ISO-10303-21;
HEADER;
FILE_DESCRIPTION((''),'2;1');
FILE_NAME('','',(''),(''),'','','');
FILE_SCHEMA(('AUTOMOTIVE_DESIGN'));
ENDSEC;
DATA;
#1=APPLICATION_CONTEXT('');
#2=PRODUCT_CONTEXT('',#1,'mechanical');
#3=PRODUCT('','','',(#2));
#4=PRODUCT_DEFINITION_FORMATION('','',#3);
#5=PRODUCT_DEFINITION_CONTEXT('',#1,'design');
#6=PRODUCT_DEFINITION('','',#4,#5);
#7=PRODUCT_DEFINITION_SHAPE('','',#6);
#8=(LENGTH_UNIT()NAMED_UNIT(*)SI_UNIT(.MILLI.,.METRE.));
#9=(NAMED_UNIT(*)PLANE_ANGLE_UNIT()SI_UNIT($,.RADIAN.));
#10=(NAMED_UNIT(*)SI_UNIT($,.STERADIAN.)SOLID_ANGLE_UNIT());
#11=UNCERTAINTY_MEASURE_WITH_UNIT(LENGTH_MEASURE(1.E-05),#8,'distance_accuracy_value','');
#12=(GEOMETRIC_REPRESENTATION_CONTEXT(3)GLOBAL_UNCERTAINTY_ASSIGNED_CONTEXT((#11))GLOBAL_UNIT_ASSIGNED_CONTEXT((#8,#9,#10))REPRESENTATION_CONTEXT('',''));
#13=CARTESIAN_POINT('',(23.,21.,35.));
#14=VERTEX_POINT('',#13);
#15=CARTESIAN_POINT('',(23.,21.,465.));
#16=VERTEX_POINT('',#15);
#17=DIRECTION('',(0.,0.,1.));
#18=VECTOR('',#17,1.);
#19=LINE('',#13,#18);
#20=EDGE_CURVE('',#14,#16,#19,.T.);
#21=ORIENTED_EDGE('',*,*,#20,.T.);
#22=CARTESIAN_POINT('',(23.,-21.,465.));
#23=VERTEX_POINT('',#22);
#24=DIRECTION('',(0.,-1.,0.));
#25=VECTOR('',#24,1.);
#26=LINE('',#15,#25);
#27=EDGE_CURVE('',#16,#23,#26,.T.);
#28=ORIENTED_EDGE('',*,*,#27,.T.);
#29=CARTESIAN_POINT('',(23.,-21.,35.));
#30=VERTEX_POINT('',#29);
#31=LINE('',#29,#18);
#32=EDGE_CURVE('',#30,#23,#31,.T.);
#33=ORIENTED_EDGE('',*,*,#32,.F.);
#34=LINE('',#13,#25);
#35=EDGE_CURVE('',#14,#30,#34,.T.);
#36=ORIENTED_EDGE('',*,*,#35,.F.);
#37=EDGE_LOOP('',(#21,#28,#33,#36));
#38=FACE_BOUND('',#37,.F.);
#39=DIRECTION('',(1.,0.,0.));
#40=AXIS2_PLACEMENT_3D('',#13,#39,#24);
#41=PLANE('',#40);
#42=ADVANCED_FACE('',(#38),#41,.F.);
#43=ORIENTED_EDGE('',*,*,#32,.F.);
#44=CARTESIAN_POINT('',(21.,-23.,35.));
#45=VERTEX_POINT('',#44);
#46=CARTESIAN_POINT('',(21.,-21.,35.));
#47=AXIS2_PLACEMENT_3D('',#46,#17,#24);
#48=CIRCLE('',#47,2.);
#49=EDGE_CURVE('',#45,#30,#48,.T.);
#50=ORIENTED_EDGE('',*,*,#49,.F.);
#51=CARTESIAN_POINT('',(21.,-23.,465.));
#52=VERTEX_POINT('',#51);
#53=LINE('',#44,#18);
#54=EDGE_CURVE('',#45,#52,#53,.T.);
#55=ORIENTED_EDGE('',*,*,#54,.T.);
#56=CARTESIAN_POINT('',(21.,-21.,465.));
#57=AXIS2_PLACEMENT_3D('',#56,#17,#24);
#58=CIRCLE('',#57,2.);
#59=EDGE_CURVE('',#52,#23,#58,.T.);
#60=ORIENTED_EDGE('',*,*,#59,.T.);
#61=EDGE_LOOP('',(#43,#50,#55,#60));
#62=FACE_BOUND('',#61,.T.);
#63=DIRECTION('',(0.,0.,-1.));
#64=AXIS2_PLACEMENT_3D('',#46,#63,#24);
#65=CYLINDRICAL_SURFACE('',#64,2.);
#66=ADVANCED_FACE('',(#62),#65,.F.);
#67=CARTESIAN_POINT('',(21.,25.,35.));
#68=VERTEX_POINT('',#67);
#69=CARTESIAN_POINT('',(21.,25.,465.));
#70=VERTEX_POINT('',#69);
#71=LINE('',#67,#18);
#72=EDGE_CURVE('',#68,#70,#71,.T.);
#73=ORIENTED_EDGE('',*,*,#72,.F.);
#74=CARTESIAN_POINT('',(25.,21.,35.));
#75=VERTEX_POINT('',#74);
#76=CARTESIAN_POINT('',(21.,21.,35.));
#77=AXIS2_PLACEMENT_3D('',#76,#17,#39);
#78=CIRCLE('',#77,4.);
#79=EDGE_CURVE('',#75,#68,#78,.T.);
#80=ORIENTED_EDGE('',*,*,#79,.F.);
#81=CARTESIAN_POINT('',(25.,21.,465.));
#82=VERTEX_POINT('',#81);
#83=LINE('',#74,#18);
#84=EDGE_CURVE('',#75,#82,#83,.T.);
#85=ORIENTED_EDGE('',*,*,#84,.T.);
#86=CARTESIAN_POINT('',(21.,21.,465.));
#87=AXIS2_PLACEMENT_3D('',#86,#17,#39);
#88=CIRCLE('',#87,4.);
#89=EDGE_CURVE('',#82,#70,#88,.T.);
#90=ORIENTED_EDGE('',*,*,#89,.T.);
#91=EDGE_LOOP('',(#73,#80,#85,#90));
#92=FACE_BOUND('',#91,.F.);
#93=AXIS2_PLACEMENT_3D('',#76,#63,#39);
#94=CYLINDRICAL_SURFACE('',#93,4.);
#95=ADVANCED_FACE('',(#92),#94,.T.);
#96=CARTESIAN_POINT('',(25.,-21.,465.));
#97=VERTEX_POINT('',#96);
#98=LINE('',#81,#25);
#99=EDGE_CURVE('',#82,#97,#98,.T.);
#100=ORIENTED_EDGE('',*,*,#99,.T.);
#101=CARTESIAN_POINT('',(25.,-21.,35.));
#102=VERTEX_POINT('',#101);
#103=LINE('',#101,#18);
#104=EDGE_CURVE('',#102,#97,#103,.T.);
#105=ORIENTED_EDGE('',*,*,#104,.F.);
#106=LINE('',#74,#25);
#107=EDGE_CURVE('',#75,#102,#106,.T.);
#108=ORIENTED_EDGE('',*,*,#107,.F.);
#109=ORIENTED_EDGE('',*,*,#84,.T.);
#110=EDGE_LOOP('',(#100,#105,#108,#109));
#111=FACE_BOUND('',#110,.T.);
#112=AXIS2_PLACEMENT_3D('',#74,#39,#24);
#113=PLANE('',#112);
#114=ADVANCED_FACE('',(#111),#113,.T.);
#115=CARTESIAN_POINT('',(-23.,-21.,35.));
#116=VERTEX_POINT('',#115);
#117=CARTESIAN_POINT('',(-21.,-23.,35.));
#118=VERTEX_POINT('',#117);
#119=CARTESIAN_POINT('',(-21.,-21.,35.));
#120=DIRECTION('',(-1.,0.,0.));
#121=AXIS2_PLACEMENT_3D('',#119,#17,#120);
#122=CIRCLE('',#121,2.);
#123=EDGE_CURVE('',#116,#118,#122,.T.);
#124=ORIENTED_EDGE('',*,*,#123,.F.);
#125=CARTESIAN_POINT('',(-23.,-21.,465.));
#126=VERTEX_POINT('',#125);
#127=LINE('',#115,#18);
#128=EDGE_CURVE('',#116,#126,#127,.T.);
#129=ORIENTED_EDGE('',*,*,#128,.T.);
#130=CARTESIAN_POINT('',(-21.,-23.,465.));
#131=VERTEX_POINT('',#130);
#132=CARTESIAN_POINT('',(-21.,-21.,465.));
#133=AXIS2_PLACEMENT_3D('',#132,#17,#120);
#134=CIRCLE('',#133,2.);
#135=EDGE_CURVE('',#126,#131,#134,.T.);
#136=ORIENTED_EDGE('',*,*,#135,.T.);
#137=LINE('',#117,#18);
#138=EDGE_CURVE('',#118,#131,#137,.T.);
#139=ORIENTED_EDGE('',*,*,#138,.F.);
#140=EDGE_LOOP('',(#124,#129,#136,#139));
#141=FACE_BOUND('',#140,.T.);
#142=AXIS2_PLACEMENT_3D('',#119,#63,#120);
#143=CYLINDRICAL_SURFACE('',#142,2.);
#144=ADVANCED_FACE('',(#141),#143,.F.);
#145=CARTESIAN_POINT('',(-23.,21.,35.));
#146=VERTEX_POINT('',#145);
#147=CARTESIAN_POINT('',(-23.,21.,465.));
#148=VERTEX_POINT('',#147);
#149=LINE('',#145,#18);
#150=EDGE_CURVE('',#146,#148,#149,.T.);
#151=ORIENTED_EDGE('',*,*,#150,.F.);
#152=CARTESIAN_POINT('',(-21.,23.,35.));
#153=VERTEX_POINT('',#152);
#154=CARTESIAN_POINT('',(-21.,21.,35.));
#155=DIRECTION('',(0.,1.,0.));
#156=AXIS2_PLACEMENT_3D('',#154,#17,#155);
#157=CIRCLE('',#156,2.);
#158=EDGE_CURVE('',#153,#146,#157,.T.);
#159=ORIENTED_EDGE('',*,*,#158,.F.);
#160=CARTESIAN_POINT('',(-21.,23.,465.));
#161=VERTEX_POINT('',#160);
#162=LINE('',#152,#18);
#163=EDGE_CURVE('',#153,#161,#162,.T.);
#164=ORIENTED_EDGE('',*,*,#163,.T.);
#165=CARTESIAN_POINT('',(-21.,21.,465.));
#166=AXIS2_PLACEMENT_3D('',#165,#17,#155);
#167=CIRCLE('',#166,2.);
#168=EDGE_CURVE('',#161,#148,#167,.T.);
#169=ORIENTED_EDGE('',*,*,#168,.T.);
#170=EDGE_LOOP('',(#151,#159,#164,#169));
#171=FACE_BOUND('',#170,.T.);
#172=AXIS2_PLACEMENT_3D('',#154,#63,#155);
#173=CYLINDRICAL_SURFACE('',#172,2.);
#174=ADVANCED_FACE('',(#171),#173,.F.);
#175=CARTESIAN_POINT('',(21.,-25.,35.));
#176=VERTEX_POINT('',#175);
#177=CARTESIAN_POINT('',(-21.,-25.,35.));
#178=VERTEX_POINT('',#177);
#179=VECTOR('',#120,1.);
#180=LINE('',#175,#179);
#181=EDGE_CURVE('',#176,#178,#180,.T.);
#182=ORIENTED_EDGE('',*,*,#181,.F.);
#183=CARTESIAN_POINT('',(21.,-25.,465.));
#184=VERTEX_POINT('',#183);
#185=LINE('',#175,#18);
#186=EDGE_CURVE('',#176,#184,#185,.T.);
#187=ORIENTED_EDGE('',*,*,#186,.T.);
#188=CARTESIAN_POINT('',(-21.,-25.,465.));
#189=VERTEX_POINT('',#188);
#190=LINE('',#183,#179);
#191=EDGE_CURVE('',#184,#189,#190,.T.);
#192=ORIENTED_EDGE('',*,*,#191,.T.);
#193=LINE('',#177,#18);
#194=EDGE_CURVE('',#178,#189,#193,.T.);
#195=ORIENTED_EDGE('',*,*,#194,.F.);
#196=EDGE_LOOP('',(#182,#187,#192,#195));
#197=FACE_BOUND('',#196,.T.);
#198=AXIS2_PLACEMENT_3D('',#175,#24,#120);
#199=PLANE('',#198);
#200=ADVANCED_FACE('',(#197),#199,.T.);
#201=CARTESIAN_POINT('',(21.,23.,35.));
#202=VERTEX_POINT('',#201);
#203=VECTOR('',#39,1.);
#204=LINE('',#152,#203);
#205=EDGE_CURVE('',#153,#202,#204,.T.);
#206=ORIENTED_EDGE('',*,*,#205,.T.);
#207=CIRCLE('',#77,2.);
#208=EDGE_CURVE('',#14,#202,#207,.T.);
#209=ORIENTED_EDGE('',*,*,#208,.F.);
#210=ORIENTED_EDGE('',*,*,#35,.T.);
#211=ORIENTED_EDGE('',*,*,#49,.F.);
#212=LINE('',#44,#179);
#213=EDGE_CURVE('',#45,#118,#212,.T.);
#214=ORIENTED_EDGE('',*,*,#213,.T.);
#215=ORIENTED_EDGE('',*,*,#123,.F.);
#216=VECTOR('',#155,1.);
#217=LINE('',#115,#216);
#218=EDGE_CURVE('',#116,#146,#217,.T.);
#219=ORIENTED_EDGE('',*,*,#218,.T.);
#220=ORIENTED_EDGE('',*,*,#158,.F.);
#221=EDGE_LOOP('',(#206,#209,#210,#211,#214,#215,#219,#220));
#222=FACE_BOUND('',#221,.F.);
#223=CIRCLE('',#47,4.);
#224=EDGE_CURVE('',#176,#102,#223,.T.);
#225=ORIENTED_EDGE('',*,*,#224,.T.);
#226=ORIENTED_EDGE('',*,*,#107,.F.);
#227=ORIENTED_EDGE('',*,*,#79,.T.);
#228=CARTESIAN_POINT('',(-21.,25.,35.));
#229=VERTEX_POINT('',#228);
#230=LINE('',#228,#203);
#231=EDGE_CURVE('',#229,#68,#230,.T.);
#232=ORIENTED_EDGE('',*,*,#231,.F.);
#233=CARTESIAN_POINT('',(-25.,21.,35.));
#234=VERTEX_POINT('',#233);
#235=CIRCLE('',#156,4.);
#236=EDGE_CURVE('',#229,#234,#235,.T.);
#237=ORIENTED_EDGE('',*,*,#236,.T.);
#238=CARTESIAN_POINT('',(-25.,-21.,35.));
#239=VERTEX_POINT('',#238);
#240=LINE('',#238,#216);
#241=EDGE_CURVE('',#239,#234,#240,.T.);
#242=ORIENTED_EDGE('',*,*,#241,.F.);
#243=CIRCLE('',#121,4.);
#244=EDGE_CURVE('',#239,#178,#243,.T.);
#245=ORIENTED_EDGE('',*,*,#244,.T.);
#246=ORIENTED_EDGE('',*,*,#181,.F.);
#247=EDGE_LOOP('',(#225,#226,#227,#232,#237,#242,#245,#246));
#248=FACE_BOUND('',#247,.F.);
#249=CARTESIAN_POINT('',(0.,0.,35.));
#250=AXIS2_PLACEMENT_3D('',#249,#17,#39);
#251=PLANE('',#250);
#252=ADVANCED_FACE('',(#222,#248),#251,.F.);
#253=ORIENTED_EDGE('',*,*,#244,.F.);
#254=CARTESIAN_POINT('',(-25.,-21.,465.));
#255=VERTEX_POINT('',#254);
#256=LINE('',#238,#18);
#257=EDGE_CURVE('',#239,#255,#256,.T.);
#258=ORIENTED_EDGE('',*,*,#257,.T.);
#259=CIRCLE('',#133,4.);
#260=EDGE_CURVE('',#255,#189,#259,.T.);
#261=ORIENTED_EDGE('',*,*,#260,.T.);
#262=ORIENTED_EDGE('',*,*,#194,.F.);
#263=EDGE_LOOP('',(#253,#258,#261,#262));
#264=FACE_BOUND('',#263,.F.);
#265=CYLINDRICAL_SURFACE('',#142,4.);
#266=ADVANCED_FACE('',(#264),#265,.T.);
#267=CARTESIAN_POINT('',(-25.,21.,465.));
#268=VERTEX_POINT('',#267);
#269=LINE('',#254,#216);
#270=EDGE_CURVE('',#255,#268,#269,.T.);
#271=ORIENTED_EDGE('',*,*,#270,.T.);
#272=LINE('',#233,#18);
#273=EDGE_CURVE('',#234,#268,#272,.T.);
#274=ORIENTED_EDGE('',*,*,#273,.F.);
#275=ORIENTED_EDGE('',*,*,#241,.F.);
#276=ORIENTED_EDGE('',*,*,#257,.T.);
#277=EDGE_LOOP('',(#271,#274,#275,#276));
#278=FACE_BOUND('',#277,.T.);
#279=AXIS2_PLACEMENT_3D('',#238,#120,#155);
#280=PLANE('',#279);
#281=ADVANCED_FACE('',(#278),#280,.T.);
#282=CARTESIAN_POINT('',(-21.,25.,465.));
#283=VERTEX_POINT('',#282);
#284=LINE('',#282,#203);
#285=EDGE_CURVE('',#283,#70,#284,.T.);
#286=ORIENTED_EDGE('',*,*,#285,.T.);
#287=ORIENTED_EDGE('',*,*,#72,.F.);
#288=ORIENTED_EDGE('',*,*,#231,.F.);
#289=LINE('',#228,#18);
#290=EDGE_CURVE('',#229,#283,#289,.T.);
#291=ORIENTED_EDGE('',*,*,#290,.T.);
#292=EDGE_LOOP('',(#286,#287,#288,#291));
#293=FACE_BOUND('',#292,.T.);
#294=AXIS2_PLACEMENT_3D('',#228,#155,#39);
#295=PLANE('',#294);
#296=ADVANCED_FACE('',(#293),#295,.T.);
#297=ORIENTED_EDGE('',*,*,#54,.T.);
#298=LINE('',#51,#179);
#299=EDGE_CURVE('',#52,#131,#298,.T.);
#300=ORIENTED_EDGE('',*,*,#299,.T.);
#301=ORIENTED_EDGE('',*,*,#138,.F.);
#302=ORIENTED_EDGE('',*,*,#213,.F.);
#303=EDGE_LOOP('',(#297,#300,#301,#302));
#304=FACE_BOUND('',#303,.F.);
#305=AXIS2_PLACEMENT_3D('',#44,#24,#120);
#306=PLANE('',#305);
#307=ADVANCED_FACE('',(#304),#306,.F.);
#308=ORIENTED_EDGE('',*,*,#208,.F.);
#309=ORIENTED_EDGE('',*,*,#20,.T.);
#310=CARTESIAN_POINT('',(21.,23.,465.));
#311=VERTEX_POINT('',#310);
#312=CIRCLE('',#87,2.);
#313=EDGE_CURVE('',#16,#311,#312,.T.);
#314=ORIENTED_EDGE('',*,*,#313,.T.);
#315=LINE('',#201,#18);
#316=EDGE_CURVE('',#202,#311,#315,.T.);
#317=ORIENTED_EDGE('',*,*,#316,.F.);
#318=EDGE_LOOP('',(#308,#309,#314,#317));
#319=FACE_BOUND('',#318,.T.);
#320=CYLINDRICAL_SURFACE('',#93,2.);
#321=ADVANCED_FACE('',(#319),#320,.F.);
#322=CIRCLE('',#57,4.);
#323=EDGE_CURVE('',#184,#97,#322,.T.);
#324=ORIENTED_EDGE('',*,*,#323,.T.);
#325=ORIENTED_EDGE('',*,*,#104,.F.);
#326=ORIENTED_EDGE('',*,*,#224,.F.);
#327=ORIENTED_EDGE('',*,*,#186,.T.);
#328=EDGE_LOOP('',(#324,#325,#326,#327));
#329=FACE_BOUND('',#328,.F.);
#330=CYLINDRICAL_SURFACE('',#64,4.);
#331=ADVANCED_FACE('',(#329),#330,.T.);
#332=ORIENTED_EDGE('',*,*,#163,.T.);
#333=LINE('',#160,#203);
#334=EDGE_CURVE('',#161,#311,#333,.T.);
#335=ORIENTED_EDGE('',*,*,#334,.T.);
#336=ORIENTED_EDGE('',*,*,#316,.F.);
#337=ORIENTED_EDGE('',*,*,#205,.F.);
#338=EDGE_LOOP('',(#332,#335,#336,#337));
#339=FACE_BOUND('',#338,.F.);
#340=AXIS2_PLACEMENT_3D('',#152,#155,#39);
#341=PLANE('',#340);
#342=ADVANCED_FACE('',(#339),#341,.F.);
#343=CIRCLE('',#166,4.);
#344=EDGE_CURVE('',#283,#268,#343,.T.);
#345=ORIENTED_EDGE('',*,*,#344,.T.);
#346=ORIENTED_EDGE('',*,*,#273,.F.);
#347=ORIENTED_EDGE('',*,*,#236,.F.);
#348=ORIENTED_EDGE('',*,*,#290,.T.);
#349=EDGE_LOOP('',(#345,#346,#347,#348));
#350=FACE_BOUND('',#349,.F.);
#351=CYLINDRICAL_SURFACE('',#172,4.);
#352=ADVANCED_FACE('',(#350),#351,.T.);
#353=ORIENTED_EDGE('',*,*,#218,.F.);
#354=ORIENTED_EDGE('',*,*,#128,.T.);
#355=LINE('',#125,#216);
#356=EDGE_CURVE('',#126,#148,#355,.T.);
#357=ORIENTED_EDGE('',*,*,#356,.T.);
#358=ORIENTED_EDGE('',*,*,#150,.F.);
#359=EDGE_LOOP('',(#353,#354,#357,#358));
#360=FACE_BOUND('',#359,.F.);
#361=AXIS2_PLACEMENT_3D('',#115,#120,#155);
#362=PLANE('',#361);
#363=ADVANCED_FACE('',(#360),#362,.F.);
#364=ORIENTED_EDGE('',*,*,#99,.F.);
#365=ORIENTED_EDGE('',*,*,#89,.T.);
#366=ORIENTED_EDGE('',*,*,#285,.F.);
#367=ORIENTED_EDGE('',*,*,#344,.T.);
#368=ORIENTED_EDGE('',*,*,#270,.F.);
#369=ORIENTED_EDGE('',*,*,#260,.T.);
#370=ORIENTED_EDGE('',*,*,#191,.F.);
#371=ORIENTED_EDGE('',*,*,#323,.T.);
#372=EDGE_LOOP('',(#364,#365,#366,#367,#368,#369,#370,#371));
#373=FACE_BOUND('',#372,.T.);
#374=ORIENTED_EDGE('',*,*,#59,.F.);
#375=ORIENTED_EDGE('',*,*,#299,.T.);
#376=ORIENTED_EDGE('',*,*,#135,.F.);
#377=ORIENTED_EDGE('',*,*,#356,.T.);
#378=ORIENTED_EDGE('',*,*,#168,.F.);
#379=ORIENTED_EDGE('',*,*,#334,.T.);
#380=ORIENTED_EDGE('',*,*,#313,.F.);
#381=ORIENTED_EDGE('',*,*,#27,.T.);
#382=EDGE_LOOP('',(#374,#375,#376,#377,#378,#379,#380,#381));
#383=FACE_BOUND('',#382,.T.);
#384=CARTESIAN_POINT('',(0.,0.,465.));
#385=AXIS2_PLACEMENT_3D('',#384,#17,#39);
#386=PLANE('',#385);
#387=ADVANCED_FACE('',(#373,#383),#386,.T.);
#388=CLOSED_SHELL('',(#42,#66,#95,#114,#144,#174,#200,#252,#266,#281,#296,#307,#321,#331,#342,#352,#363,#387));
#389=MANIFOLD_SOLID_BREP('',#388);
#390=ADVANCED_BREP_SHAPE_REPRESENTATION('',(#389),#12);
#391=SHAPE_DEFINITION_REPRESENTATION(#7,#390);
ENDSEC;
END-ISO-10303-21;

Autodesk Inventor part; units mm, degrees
ref_plane "Plano inicial" through (0, 0, 35) normal (0, 0, 1) x (1, 0, 0)
ref_plane "Plano final" through (0, 0, 465) normal (0, 0, 1) x (1, 0, 0)
sketch "Boceto" plane through (0, 0, 0) normal (0, 0, 1) x (1, 0, 0)
  line L0 (-25, -21) -> (-25, 21)
  line L1 (-21, 25) -> (21, 25)
  line L2 (25, 21) -> (25, -21)
  line L3 (21, -25) -> (-21, -25)
  arc A0 (-25, -21) -> (-21, -25) centre (-21, -21) ccw
  arc A1 (25, 21) -> (21, 25) centre (21, 21) ccw
  arc A2 (-21, 25) -> (-25, 21) centre (-21, 21) ccw
  arc A3 (21, -25) -> (25, -21) centre (21, -21) ccw
  arc A4 (-21, 23) -> (-23, 21) centre (-21, 21) ccw
  line L4 (-21, 23) -> (21, 23)
  arc A5 (23, 21) -> (21, 23) centre (21, 21) ccw
  line L5 (23, 21) -> (23, -21)
  arc A6 (21, -23) -> (23, -21) centre (21, -21) ccw
  line L6 (21, -23) -> (-21, -23)
  arc A7 (-23, -21) -> (-21, -23) centre (-21, -21) ccw
  line L7 (-23, -21) -> (-23, 21)
  line L8 (0, 36.1598) -> (0, -36.1598) construction
  line L9 (-36.1598, 0) -> (36.1598, 0) construction
  dimension "d7" = 4
  dimension "d9" = 50
  dimension "d11" = 50
  dimension "d12" = 2
  dimension "d15" = 25
  dimension "d16" = 25
extrude "Cuerpo" add sketch "Boceto" along normal up to surface (430 mm away) from surface at 35
sketch "Sketch3" plane through (0, 0, 0) normal (0, 0, 1) x (1, 0, 0)
  line L0 (0, 0) -> (10, 0)
ref_plane "Work Plane3" through (0, 0, 0) normal (0, -1, 0) x (1, 0, 0)
sketch "Sketch4" plane through (0, 0, 0) normal (0, -1, 0) x (1, 0, 0)
  line L0 (-2, 35) -> (12, 35)
  line L1 (-2, 465) -> (12, 465)
  dimension "d18" = 430
ref_plane "Plano de trabajo4" through (1275, 29, 35) normal (0, 0, -1) x (-1, 0, 0)
split "Dividir1" plane through (1275, 29, 35) removes the side toward (0, 0, -1)
ref_plane "Plano de trabajo5" through (1275, -29, 465) normal (0, 0, 1) x (1, 0, 0)
split "Dividir2" plane through (1275, -29, 465) removes the side toward (0, 0, 1)
equation "\"d7\" = G_IR"
equation "\"d9\" = G_W"
equation "\"d11\" = G_H"
equation "\"d12\" = G_T"
equation "\"d15\" = 0.5 * d9"
equation "\"d16\" = 0.5 * d11"
equation "\"d3\" = G_L"
equation "\"G_W\" = 50"
equation "\"G_H\" = 50"
equation "\"G_T\" = 2"
equation "\"G_IR\" = 4"
equation "\"G_L\" = d18"
equation "\"G_OFFSET_START\" = -35"
equation "\"G_OFFSET_END\" = -35"
equation "\"d13\" = -G_OFFSET_START"
equation "\"d14\" = G_OFFSET_END + B_L"
equation "\"B_L\" = 500"
properties part number "ISO 10799-2 - 50x50x2 - 430" material "Galvanizado catalogo 1"
